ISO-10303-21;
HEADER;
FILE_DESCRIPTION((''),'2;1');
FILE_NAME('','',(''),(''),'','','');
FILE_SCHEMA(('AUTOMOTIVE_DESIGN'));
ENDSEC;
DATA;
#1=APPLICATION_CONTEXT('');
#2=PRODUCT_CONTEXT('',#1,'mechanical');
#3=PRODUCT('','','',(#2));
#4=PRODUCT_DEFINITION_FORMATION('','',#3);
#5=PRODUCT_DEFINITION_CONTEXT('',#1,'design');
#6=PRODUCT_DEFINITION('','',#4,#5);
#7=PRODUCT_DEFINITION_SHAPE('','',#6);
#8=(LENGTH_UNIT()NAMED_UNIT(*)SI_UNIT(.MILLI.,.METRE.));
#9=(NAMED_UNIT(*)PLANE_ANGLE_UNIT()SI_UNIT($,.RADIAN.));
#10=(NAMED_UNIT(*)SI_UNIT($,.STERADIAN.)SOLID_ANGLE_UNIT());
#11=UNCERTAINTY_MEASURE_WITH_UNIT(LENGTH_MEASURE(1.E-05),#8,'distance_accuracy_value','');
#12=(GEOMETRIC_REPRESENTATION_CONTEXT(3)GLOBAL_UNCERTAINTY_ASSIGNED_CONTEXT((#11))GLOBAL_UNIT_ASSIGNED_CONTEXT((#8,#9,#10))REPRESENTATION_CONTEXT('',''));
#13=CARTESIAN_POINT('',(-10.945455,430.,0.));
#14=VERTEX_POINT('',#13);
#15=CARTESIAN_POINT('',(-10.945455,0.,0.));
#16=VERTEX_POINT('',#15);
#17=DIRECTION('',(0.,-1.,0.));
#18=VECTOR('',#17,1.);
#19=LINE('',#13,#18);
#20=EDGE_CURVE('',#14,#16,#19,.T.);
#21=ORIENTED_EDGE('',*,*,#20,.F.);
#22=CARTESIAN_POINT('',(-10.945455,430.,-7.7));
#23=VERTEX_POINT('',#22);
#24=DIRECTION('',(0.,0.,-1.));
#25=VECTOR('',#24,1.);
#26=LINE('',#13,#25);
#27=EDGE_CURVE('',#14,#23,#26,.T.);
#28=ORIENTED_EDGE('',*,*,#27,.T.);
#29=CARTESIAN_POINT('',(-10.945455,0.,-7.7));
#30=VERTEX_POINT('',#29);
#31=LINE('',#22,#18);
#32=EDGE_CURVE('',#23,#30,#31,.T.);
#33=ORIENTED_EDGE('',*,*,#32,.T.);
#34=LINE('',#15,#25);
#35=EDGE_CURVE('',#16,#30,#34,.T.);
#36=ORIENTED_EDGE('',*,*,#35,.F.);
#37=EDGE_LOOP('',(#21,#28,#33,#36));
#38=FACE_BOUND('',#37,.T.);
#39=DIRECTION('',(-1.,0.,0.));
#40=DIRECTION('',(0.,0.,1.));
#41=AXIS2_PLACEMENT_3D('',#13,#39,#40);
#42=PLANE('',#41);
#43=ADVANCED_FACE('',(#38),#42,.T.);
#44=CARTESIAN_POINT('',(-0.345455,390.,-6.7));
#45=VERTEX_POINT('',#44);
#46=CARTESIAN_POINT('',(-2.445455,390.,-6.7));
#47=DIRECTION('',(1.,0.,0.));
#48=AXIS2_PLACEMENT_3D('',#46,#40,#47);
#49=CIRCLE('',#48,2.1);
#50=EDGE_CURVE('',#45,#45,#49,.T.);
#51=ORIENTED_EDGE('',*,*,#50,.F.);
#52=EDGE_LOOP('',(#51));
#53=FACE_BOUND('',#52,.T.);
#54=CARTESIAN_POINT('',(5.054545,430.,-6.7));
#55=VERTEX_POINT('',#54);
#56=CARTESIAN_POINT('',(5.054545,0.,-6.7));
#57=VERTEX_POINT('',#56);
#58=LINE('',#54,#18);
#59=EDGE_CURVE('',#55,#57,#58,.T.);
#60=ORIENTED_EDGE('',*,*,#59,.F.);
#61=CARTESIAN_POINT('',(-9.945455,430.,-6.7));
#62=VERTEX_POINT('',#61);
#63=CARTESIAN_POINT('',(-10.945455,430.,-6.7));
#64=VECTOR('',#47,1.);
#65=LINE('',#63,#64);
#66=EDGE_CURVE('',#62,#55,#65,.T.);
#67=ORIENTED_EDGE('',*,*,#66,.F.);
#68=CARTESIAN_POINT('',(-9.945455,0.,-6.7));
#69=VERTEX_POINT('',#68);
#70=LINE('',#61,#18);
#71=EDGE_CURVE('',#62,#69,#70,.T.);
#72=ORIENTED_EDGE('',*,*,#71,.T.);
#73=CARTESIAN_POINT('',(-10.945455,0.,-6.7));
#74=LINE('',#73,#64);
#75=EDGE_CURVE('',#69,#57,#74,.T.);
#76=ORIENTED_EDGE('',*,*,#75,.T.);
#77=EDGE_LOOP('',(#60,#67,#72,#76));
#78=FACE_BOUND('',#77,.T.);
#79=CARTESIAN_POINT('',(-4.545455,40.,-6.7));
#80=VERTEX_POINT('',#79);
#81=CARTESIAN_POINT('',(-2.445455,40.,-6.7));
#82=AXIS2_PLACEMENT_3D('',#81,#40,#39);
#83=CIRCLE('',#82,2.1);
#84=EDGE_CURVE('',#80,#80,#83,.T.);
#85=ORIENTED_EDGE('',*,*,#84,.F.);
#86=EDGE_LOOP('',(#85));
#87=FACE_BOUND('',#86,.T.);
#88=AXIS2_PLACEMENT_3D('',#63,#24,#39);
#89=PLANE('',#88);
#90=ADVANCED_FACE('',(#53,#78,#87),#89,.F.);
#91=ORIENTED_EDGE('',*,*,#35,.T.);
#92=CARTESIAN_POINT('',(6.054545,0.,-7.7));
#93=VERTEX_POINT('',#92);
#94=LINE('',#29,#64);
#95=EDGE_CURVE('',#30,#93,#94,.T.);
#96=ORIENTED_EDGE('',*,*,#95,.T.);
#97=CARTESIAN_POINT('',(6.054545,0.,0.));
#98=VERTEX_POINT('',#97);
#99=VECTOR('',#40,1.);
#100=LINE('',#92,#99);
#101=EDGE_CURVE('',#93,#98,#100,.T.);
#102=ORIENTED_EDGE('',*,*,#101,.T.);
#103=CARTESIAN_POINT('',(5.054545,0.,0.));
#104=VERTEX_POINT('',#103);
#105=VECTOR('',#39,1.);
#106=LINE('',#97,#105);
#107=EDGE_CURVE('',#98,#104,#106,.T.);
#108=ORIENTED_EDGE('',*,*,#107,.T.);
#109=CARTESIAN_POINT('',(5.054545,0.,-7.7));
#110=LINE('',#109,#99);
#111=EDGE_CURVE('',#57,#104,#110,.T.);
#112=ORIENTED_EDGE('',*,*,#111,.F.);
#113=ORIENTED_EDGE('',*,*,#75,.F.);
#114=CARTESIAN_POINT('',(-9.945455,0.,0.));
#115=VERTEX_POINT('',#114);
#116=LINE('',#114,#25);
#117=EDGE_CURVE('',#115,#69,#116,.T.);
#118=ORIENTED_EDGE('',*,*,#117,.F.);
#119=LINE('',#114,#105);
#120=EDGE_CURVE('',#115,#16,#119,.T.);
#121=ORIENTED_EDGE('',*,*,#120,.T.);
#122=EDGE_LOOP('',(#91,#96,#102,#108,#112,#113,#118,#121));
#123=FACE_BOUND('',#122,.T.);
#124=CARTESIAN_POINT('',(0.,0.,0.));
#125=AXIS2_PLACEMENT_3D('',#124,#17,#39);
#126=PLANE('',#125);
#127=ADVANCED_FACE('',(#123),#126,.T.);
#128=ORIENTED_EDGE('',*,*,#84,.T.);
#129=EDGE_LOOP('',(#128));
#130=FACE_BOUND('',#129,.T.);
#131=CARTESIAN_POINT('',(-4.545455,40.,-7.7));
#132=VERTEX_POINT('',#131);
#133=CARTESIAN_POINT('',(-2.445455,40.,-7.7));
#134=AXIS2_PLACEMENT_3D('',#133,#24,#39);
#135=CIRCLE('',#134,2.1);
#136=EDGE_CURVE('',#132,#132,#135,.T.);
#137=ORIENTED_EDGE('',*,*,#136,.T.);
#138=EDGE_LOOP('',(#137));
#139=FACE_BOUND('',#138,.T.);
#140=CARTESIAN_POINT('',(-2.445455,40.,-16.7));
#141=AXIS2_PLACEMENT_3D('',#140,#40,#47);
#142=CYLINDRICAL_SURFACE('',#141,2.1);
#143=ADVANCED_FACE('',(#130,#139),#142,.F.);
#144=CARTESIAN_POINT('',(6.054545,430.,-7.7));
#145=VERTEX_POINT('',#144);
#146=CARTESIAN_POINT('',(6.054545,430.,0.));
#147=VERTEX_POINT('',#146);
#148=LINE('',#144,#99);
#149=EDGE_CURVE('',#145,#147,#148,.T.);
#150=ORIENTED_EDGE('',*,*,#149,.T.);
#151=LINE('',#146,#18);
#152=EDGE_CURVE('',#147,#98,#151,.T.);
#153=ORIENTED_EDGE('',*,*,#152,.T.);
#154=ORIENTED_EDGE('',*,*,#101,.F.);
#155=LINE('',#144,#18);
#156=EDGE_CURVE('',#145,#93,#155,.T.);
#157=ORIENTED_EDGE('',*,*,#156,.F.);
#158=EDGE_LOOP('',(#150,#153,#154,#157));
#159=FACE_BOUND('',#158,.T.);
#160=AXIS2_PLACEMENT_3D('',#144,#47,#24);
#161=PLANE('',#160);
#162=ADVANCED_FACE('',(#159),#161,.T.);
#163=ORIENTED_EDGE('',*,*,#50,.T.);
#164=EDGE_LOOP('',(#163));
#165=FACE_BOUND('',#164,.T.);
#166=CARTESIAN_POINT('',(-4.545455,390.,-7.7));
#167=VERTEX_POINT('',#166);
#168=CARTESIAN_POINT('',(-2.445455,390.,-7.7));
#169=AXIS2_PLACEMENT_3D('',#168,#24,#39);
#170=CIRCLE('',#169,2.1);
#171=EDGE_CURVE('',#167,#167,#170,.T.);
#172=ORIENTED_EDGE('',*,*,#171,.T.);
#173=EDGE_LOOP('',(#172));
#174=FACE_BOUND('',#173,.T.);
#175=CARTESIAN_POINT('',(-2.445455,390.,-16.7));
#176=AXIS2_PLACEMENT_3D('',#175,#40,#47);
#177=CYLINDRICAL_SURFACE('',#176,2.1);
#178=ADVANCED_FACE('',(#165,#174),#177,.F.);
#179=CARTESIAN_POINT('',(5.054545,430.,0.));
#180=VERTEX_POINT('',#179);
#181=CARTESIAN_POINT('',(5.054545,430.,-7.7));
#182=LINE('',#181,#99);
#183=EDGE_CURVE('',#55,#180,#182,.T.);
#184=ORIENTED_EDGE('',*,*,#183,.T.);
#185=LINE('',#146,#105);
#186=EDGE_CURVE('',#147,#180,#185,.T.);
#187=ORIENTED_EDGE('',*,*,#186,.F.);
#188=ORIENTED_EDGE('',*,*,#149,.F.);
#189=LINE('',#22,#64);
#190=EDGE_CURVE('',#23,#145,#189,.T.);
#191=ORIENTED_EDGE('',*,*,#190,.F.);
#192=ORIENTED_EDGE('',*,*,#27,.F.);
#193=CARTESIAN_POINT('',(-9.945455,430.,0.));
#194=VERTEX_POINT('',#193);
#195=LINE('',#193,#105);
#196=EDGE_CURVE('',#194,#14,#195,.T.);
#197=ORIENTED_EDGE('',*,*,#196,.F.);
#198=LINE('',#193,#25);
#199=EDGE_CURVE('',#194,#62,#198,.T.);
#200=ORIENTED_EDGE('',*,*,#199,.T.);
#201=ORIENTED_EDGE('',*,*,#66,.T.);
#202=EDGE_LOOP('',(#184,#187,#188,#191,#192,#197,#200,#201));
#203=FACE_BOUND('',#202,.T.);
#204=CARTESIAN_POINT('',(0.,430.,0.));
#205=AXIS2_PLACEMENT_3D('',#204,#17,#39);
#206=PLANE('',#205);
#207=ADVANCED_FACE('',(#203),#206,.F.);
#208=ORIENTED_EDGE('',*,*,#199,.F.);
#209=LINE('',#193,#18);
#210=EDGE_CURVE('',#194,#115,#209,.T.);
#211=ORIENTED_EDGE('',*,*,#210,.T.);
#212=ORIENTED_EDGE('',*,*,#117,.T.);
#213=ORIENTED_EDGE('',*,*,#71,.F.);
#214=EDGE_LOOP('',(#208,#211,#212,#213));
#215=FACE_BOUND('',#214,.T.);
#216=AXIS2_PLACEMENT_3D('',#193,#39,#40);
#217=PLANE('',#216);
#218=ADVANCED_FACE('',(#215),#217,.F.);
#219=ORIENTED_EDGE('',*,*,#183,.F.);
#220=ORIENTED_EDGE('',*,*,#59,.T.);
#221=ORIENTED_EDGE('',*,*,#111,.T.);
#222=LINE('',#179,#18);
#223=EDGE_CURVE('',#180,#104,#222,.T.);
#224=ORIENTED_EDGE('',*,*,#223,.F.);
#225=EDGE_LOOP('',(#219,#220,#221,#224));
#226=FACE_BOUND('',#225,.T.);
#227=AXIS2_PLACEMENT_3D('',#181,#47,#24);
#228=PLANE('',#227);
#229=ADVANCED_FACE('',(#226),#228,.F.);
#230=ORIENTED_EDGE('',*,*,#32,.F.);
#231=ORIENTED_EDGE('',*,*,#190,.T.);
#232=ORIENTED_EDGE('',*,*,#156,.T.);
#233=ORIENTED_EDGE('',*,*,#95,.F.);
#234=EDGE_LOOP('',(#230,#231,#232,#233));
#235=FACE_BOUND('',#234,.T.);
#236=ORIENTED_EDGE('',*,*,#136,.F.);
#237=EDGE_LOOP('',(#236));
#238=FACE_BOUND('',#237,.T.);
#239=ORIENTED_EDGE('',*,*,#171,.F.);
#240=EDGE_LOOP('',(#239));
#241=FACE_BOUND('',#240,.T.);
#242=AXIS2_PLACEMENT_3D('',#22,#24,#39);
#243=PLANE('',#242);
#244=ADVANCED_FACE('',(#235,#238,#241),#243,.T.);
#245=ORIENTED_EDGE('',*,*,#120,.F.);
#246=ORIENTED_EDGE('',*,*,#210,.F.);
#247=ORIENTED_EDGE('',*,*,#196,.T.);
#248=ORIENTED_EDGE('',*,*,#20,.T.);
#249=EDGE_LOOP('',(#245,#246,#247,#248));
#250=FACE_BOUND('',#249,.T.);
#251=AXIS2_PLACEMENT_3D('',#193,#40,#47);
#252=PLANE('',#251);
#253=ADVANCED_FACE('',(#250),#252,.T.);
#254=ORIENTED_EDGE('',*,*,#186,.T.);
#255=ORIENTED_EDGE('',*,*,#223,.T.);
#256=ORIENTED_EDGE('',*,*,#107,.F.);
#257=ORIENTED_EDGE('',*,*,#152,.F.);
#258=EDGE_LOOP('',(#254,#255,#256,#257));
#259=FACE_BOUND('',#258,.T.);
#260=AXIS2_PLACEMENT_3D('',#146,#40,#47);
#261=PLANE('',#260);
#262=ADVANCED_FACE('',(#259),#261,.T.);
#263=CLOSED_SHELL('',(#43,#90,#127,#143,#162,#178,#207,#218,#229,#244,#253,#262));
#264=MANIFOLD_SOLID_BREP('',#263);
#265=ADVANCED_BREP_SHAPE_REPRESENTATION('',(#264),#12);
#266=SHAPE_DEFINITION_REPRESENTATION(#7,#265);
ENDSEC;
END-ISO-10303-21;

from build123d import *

# Parameters (mm, degrees)
EXTRUDE_THIN1_DEPTH = 430
SKETCH2_R           = 2.1
CUT_EXTRUDE1_DEPTH  = 10


with BuildPart() as part:
    # Sketch1 → Extrude-Thin1 (new body)
    with BuildSketch(Plane(origin=(0, 0, 0), x_dir=(1, 0, 0), z_dir=(0, 1, 0))):
        Polygon((-10.945454545, 0), (-10.945454545, 7.7), (6.054545455, 7.7), (6.054545455, 0), (5.054545455, 0), (5.054545455, 6.7), (-9.945454545, 6.7), (-9.945454545, 0), align=None)
    extrude(amount=EXTRUDE_THIN1_DEPTH)

    # Sketch2 → Cut-Extrude1 (cut)
    with BuildSketch(Plane.XY.offset(-6.7)):
        with Locations((-2.445454545, 390)):
            Circle(SKETCH2_R)
        with Locations(Location((-2.445454545, 40, 0), (0, 0, 180))):
            Circle(SKETCH2_R)
    extrude(amount=-CUT_EXTRUDE1_DEPTH, mode=Mode.SUBTRACT)


solid = part.part
